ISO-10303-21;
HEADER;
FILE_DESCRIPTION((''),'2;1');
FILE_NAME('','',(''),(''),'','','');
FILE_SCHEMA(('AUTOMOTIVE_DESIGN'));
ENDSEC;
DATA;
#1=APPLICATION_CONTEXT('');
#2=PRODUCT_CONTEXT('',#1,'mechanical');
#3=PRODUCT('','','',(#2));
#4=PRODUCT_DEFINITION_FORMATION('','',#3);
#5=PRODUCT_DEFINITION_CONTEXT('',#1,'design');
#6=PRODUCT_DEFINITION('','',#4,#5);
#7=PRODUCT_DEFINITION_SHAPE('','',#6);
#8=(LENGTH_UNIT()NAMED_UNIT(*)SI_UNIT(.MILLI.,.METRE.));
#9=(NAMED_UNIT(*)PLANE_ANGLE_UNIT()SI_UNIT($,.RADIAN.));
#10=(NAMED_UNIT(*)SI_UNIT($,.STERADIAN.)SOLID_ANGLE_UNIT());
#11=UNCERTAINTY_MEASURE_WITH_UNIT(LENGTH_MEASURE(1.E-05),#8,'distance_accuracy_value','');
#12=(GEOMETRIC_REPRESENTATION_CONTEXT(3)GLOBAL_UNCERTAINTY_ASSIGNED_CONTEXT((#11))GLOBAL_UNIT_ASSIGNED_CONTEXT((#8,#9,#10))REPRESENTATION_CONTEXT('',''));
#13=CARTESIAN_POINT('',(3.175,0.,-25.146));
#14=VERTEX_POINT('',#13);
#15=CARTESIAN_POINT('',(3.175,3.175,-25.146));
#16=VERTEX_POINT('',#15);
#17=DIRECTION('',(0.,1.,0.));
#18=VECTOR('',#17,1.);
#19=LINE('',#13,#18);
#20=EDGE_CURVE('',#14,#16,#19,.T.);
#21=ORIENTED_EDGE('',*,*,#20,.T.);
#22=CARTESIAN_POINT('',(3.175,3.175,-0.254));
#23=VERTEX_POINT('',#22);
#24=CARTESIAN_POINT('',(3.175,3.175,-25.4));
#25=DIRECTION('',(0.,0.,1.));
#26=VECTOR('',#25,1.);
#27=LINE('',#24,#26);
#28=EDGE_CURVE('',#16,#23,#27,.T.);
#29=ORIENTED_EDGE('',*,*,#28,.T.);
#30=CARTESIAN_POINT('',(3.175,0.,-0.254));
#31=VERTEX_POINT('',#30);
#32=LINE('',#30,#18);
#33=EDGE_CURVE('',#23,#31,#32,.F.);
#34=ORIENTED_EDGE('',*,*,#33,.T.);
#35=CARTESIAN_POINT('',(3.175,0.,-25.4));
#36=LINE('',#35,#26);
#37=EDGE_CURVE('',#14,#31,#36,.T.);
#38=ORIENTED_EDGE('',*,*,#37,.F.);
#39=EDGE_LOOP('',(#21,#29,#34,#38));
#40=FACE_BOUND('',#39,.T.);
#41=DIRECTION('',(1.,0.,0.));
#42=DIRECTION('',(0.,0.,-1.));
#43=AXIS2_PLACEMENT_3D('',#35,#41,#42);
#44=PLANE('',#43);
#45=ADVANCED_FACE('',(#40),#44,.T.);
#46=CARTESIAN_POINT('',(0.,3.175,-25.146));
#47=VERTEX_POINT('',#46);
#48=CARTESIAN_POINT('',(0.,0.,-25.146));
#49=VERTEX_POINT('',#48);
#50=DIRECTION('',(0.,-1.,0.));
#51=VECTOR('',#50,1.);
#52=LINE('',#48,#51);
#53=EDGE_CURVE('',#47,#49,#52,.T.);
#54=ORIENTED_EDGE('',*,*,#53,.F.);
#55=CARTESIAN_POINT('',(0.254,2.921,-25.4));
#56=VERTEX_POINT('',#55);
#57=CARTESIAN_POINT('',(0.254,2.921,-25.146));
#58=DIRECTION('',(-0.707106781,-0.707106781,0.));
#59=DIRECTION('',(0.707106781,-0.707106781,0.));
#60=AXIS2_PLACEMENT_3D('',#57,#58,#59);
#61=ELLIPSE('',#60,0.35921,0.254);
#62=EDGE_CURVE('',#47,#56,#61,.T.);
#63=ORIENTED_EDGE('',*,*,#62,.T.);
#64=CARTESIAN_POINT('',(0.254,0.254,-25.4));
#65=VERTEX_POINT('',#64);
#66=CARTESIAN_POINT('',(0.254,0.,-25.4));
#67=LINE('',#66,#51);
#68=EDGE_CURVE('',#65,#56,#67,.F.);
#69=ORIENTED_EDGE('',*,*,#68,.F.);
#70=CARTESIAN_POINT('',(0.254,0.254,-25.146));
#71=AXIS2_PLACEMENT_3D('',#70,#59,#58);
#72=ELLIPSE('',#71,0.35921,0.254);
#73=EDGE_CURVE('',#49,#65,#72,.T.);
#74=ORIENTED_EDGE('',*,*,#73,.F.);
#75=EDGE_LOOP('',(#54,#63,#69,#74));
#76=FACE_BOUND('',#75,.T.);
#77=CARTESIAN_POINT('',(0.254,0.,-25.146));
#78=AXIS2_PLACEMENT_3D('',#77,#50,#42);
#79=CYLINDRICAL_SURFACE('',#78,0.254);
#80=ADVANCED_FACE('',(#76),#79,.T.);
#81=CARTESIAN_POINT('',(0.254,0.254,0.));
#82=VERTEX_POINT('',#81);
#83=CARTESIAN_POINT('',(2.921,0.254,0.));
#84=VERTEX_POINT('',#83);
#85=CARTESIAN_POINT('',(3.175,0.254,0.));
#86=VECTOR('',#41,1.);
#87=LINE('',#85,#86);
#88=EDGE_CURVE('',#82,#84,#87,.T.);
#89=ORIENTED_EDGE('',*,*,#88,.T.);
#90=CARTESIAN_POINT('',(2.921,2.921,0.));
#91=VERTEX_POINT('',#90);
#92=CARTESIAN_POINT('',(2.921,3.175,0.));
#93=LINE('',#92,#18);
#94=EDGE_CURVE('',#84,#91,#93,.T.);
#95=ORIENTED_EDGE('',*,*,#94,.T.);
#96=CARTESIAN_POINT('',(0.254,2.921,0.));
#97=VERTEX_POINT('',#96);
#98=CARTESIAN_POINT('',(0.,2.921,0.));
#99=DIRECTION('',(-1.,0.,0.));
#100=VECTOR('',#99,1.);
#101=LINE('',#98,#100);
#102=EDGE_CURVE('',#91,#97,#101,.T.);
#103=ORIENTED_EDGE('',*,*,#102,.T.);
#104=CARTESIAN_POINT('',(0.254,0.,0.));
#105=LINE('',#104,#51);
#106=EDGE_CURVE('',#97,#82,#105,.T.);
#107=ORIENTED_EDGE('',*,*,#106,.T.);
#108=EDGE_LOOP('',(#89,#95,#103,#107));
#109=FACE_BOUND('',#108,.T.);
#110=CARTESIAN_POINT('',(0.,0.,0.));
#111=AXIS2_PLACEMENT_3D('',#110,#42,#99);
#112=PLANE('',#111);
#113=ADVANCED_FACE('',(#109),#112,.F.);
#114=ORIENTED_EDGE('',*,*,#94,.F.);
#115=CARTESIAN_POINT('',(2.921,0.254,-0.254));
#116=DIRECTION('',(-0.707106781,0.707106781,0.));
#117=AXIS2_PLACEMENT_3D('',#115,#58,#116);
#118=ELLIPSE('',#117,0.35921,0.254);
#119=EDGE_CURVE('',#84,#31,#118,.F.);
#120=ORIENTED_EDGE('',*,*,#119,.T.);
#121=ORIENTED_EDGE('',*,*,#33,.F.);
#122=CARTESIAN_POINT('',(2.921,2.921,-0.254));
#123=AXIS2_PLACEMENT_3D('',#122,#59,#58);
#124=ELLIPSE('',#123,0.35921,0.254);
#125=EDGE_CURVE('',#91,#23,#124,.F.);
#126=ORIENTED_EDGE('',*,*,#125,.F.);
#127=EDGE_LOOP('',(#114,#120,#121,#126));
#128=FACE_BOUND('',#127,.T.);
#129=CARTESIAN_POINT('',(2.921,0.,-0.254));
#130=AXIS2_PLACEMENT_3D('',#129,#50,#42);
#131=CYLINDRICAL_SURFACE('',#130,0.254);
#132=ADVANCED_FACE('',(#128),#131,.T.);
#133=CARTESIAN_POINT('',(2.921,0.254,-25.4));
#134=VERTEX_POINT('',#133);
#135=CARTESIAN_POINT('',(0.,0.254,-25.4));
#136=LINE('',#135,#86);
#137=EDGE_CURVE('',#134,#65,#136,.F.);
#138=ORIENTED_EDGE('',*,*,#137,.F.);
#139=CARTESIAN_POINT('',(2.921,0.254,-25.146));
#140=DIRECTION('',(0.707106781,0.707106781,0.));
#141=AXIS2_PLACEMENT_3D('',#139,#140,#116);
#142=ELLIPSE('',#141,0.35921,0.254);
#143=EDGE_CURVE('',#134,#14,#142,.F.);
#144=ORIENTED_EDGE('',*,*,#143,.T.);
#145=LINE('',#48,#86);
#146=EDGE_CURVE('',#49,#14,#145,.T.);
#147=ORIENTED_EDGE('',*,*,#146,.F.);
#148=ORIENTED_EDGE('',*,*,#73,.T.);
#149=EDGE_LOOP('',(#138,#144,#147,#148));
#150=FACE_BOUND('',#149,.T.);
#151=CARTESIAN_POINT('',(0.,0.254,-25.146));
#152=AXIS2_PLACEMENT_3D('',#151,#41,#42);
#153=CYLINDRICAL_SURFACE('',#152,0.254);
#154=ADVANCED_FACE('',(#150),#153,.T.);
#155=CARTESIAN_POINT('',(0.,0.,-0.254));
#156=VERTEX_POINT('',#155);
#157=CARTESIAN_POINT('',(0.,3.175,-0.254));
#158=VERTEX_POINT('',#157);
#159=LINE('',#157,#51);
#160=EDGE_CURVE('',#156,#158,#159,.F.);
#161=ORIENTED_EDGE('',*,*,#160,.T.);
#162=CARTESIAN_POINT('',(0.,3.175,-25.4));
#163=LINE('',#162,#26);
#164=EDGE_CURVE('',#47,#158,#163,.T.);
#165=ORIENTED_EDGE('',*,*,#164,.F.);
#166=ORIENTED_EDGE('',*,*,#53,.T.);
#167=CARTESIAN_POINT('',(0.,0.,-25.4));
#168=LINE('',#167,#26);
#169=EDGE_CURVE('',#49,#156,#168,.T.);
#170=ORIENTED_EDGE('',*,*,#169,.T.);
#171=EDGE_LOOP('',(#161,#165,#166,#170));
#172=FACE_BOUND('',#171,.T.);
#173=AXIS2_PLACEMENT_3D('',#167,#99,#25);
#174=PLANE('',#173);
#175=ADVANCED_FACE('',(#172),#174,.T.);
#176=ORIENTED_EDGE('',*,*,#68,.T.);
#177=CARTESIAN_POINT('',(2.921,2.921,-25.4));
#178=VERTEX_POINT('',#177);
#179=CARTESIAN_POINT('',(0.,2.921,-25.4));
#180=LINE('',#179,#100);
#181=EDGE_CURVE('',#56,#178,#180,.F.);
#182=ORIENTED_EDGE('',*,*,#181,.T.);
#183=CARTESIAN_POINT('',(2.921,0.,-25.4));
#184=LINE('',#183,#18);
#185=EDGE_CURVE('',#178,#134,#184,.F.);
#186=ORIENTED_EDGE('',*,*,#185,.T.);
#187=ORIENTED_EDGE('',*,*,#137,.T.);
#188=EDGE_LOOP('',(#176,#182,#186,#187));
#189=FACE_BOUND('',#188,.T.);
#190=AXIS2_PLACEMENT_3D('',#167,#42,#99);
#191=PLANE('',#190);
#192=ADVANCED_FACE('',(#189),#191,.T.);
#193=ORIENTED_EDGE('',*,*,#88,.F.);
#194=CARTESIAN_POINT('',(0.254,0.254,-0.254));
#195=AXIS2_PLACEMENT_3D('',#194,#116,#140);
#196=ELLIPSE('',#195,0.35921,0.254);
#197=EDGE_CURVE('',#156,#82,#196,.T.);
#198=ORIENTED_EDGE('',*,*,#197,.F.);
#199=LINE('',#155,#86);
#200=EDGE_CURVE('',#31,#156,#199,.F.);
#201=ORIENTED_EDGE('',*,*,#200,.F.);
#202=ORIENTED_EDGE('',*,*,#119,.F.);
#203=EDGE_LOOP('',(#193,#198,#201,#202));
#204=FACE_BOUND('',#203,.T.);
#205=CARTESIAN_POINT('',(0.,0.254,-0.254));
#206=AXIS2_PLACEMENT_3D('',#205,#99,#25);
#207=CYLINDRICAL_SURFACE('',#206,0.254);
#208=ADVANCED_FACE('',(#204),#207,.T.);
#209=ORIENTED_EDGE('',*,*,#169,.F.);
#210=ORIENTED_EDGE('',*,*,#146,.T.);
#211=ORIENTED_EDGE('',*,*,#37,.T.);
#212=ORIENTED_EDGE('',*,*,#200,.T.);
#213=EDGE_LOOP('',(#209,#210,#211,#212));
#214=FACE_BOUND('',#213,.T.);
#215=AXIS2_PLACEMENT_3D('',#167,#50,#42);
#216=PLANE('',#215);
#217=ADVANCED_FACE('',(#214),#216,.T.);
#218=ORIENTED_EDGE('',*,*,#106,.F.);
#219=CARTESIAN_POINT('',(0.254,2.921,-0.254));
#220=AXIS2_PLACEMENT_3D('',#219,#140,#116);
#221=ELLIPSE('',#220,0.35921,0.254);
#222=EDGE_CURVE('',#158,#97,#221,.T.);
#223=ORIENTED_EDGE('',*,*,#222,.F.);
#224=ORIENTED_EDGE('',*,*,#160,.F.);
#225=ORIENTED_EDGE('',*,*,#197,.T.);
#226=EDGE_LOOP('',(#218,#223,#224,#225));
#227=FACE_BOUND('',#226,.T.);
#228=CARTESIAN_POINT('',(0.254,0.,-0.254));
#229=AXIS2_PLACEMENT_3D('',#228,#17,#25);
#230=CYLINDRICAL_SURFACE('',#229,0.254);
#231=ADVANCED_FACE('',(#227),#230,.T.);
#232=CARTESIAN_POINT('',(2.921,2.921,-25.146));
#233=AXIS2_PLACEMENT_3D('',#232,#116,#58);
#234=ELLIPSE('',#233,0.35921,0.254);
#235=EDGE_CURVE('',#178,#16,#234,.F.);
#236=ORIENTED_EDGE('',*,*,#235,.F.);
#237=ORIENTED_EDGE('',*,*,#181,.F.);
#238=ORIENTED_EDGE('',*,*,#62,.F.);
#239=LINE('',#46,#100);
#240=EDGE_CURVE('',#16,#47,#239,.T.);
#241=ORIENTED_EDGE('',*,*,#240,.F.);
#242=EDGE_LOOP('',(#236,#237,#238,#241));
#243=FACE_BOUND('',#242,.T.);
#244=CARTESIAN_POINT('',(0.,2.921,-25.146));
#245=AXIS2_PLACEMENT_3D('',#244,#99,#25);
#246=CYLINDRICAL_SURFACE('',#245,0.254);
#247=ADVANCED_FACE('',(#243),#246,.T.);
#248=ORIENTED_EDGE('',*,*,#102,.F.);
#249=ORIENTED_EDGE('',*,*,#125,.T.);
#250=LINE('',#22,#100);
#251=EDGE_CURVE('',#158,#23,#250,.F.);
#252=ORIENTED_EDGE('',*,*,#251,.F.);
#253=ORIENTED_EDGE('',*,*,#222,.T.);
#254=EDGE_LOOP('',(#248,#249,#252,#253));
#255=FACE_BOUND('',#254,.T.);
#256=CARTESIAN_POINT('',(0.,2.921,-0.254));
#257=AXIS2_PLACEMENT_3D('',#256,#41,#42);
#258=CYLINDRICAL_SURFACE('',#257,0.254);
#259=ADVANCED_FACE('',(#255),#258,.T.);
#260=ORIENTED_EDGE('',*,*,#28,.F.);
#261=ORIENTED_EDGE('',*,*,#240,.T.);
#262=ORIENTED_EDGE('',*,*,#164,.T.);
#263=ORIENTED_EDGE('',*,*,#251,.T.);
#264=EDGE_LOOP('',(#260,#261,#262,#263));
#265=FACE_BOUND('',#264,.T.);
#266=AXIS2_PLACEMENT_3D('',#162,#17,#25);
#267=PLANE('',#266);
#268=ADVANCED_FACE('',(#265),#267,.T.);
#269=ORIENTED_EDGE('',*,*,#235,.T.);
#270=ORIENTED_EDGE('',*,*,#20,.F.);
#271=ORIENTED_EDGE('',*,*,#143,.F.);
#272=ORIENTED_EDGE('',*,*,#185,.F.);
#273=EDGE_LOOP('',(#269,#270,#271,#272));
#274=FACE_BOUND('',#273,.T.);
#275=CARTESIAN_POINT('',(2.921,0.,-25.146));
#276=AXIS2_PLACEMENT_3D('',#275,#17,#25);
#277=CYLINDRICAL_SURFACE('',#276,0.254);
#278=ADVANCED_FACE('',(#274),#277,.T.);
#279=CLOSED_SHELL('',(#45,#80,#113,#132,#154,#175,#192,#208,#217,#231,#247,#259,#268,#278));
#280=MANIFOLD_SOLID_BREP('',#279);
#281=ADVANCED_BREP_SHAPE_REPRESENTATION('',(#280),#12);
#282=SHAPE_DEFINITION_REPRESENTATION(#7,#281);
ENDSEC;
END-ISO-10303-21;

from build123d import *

# Parameters (mm, degrees)
SKETCH1_W           = 3.175
SKETCH1_H           = 3.175
BOSS_EXTRUDE1_DEPTH = 25.4
FILLET1_R           = 0.254
FILLET2_R           = 0.254


with BuildPart() as part:
    # Sketch1 → Boss-Extrude1 (new body)
    with BuildSketch(Plane.XY):
        with Locations((1.5875, 1.5875)):
            Rectangle(SKETCH1_W, SKETCH1_H)
    extrude(amount=-BOSS_EXTRUDE1_DEPTH)

    # Fillet1
    fillet1_edges = [part.edges().sort_by_distance(p)[0] for p in [
        (1.5875, 3.175, 0),
        (3.175, 1.5875, 0),
        (1.5875, 0, 0),
        (0, 1.5875, 0),
    ]]
    fillet(fillet1_edges, radius=FILLET1_R)

    # Fillet2
    fillet2_edges = [part.edges().sort_by_distance(p)[0] for p in [
        (3.175, 1.5875, -25.4),
        (1.5875, 3.175, -25.4),
        (0, 1.5875, -25.4),
        (1.5875, 0, -25.4),
    ]]
    fillet(fillet2_edges, radius=FILLET2_R)


solid = part.part
